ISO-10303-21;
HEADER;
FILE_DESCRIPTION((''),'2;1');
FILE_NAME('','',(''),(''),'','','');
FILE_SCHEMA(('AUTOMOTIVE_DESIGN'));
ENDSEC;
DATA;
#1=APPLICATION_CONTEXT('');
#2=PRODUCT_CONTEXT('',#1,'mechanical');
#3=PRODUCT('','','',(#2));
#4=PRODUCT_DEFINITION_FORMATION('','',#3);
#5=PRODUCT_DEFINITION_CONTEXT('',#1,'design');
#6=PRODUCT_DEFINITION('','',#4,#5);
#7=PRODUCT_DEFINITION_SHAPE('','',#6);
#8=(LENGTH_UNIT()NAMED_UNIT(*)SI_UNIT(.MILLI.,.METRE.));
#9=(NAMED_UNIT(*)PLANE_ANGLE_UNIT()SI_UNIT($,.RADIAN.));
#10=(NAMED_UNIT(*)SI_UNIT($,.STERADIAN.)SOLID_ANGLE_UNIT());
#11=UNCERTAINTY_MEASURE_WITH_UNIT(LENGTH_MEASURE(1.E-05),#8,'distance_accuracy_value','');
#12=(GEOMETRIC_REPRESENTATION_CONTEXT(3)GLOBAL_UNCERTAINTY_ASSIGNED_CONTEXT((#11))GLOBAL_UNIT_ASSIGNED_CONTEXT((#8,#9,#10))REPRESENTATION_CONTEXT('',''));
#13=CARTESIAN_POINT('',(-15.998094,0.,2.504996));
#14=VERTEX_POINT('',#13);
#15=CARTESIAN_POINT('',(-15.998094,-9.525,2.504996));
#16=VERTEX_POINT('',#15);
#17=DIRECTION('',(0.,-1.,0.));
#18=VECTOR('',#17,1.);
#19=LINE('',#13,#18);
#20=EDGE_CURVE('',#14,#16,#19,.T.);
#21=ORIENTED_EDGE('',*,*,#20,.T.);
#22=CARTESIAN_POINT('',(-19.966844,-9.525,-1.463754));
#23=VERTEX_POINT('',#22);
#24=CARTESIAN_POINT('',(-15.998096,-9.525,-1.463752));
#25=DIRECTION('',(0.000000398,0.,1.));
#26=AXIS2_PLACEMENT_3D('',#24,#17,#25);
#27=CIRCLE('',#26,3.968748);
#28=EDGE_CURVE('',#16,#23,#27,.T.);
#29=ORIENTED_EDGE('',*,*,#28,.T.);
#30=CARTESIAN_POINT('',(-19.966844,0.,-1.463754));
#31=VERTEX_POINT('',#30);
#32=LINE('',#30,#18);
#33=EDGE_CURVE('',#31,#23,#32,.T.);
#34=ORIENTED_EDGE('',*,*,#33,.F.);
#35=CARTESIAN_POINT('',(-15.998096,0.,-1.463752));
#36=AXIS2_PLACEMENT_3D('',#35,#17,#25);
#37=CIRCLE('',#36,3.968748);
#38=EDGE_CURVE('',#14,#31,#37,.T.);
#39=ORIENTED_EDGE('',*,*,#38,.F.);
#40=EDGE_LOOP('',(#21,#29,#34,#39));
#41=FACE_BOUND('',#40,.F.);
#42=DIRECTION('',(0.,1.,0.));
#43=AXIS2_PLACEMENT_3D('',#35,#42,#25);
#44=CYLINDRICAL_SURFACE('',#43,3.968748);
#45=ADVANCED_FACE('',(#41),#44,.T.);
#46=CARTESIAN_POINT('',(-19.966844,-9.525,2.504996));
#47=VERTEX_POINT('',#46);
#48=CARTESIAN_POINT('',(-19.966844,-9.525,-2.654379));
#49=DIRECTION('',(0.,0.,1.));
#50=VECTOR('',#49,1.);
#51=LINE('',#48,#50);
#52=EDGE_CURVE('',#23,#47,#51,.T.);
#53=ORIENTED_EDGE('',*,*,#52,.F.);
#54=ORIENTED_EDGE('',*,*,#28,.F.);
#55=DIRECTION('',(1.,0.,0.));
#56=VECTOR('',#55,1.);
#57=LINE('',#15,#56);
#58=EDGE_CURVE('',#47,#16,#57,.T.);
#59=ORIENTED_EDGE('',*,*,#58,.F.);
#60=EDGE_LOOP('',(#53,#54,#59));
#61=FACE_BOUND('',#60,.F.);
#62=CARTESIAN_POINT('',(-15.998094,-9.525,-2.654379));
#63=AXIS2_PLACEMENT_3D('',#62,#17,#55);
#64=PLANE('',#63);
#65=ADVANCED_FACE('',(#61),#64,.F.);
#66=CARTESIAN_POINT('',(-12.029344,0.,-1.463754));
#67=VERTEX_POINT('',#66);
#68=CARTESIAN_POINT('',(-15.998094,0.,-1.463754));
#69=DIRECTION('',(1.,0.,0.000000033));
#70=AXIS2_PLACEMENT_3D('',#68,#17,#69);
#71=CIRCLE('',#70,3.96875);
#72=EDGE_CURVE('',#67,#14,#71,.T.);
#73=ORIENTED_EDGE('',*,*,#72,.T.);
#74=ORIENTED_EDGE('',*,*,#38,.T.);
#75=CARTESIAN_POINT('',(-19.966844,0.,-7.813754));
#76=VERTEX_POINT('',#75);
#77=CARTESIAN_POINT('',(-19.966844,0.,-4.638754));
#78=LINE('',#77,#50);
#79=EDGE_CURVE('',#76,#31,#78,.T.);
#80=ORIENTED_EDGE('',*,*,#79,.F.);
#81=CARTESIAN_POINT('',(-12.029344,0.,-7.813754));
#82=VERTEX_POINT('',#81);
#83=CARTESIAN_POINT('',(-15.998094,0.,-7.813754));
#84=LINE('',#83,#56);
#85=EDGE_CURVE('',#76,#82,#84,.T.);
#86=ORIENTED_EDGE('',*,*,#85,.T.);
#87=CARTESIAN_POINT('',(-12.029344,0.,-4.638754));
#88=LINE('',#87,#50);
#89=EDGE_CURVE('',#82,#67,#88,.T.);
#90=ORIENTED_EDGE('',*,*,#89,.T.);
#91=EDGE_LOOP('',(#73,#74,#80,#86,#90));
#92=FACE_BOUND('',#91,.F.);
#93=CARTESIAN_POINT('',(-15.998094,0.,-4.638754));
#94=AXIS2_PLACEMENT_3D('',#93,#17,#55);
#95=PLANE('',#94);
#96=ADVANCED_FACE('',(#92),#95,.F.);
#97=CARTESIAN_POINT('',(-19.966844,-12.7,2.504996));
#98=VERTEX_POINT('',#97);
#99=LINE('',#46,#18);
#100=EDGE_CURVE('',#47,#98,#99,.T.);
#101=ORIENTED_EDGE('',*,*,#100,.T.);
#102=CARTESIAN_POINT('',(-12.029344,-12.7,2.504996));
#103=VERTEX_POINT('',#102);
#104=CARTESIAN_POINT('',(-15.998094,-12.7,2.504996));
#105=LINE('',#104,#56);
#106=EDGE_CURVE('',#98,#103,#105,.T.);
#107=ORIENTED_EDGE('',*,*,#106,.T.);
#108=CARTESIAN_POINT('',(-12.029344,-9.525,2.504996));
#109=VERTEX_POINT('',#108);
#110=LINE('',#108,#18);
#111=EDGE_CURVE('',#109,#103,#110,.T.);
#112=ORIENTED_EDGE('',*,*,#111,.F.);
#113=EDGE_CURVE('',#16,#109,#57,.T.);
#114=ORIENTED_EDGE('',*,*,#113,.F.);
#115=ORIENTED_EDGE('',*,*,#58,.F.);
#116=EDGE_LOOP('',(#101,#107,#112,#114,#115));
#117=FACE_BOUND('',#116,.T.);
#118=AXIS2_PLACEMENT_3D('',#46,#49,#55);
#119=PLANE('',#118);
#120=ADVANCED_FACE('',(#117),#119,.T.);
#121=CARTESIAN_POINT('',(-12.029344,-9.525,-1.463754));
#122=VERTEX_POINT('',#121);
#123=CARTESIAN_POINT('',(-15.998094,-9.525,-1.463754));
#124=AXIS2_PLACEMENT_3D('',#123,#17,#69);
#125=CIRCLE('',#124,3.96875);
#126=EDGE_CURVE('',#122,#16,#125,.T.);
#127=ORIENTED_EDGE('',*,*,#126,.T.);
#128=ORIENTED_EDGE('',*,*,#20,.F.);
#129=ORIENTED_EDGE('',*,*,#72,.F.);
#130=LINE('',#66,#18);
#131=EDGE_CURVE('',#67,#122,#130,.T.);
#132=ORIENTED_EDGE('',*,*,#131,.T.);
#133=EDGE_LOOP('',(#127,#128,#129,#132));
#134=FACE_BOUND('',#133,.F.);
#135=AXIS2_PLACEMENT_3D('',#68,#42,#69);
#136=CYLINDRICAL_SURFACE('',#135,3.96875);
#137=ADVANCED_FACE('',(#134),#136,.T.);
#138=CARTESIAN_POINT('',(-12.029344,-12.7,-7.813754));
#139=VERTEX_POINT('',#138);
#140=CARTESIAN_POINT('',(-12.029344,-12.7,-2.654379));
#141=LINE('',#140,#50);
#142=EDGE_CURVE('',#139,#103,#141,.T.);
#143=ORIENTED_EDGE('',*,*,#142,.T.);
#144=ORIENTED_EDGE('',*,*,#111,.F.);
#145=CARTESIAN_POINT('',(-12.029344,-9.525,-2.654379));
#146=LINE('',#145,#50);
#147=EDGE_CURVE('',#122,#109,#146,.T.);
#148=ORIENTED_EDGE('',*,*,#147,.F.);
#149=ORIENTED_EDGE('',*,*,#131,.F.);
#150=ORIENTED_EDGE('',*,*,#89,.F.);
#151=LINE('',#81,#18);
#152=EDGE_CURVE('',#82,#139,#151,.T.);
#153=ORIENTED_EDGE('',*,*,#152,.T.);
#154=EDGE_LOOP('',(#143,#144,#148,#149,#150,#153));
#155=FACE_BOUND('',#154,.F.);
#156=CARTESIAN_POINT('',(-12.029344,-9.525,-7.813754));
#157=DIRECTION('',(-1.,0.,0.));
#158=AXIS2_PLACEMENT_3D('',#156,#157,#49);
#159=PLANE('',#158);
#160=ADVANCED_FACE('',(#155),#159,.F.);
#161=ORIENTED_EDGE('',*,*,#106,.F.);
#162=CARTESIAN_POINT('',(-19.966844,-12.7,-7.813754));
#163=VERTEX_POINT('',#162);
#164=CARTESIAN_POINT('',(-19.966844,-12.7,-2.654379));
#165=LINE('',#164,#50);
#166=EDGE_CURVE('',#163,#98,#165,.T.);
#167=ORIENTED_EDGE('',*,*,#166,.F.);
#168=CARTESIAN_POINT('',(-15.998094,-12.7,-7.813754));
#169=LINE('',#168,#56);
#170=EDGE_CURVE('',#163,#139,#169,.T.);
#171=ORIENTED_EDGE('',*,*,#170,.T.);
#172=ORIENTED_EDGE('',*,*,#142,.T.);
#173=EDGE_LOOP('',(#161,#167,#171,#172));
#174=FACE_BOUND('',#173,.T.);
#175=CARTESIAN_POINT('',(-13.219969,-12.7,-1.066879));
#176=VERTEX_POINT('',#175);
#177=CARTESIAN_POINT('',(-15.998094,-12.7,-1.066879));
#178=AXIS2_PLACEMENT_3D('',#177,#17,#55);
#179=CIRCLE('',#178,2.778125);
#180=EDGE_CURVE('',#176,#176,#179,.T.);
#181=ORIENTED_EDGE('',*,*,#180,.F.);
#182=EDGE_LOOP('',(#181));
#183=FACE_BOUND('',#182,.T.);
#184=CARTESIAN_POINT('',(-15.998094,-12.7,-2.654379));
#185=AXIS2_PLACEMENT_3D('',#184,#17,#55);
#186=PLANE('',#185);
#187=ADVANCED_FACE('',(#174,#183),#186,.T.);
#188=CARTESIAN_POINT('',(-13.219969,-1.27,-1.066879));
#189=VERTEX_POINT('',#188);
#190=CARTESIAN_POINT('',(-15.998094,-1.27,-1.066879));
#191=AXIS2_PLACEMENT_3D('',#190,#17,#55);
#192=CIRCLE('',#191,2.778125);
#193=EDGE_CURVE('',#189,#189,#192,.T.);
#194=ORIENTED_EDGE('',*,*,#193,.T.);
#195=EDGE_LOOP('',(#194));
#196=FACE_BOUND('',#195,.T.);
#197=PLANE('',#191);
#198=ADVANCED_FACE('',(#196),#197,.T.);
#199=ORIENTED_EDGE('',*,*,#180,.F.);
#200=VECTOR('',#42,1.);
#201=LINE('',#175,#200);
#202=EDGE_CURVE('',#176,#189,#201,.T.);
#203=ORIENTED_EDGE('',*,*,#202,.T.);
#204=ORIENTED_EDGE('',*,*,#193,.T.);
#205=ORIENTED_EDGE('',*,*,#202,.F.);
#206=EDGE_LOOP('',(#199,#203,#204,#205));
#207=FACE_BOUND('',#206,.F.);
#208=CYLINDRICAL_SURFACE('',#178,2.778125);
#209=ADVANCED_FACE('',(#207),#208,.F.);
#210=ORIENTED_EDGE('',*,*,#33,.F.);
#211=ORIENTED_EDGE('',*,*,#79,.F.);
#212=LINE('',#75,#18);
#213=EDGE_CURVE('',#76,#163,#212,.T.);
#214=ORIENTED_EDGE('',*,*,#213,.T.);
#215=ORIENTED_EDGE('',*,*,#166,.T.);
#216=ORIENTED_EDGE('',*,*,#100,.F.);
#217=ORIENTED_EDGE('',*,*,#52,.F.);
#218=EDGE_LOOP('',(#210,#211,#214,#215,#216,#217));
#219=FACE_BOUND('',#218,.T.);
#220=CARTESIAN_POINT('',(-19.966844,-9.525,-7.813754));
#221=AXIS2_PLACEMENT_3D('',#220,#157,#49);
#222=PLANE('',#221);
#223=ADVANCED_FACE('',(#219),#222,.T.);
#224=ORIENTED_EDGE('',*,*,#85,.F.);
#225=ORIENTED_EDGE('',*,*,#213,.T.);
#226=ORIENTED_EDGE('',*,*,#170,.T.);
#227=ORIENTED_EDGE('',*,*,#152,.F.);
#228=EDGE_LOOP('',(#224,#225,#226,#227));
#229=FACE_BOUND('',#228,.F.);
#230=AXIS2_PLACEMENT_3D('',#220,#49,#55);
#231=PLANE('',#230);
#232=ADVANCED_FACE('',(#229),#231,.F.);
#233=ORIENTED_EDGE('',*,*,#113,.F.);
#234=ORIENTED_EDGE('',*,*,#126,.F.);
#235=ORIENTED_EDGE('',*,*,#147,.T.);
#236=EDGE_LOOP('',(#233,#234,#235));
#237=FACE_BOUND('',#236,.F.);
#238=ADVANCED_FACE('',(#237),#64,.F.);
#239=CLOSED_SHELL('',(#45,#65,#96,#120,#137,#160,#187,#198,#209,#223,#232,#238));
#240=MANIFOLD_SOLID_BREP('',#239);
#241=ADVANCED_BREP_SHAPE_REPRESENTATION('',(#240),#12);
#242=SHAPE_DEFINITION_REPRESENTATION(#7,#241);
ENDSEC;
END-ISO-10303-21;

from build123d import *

# Parameters (mm, degrees)
F0_W     = 7.9375
F0_H     = 6.35
F1_DEPTH = 9.525
F3_W     = 7.9375
F3_H     = 10.31875
F4_DEPTH = 3.175
F5_R     = 2.778125
F6_DEPTH = 11.43


with BuildPart() as f1:
    # F0 (on Front) → F1 (new body)
    with BuildSketch(Plane.XZ):
        with Locations((-15.998094, -4.638754)):
            Rectangle(F0_W, F0_H)
        with BuildLine():
            ThreePointArc((-15.998094, 2.504996), (-18.804425, 1.342576), (-19.966844, -1.463754))
            Line((-19.966844, -1.463754), (-12.029344, -1.463754))
            ThreePointArc((-12.029344, -1.463754), (-13.191764, 1.342576), (-15.998094, 2.504996))
        make_face()
    extrude(amount=F1_DEPTH)

    # F3 (on face) → F4 (join)
    with BuildSketch(Plane.XZ.offset(9.525)):
        with Locations((-15.998094, -2.654379)):
            Rectangle(F3_W, F3_H)
    extrude(amount=F4_DEPTH)

    # F5 (on face) → F6 (cut)
    with BuildSketch(Plane.XZ.offset(12.7)):
        with Locations((-15.998094, -1.066879)):
            Circle(F5_R)
    extrude(amount=-F6_DEPTH, mode=Mode.SUBTRACT)


solid = f1.part
